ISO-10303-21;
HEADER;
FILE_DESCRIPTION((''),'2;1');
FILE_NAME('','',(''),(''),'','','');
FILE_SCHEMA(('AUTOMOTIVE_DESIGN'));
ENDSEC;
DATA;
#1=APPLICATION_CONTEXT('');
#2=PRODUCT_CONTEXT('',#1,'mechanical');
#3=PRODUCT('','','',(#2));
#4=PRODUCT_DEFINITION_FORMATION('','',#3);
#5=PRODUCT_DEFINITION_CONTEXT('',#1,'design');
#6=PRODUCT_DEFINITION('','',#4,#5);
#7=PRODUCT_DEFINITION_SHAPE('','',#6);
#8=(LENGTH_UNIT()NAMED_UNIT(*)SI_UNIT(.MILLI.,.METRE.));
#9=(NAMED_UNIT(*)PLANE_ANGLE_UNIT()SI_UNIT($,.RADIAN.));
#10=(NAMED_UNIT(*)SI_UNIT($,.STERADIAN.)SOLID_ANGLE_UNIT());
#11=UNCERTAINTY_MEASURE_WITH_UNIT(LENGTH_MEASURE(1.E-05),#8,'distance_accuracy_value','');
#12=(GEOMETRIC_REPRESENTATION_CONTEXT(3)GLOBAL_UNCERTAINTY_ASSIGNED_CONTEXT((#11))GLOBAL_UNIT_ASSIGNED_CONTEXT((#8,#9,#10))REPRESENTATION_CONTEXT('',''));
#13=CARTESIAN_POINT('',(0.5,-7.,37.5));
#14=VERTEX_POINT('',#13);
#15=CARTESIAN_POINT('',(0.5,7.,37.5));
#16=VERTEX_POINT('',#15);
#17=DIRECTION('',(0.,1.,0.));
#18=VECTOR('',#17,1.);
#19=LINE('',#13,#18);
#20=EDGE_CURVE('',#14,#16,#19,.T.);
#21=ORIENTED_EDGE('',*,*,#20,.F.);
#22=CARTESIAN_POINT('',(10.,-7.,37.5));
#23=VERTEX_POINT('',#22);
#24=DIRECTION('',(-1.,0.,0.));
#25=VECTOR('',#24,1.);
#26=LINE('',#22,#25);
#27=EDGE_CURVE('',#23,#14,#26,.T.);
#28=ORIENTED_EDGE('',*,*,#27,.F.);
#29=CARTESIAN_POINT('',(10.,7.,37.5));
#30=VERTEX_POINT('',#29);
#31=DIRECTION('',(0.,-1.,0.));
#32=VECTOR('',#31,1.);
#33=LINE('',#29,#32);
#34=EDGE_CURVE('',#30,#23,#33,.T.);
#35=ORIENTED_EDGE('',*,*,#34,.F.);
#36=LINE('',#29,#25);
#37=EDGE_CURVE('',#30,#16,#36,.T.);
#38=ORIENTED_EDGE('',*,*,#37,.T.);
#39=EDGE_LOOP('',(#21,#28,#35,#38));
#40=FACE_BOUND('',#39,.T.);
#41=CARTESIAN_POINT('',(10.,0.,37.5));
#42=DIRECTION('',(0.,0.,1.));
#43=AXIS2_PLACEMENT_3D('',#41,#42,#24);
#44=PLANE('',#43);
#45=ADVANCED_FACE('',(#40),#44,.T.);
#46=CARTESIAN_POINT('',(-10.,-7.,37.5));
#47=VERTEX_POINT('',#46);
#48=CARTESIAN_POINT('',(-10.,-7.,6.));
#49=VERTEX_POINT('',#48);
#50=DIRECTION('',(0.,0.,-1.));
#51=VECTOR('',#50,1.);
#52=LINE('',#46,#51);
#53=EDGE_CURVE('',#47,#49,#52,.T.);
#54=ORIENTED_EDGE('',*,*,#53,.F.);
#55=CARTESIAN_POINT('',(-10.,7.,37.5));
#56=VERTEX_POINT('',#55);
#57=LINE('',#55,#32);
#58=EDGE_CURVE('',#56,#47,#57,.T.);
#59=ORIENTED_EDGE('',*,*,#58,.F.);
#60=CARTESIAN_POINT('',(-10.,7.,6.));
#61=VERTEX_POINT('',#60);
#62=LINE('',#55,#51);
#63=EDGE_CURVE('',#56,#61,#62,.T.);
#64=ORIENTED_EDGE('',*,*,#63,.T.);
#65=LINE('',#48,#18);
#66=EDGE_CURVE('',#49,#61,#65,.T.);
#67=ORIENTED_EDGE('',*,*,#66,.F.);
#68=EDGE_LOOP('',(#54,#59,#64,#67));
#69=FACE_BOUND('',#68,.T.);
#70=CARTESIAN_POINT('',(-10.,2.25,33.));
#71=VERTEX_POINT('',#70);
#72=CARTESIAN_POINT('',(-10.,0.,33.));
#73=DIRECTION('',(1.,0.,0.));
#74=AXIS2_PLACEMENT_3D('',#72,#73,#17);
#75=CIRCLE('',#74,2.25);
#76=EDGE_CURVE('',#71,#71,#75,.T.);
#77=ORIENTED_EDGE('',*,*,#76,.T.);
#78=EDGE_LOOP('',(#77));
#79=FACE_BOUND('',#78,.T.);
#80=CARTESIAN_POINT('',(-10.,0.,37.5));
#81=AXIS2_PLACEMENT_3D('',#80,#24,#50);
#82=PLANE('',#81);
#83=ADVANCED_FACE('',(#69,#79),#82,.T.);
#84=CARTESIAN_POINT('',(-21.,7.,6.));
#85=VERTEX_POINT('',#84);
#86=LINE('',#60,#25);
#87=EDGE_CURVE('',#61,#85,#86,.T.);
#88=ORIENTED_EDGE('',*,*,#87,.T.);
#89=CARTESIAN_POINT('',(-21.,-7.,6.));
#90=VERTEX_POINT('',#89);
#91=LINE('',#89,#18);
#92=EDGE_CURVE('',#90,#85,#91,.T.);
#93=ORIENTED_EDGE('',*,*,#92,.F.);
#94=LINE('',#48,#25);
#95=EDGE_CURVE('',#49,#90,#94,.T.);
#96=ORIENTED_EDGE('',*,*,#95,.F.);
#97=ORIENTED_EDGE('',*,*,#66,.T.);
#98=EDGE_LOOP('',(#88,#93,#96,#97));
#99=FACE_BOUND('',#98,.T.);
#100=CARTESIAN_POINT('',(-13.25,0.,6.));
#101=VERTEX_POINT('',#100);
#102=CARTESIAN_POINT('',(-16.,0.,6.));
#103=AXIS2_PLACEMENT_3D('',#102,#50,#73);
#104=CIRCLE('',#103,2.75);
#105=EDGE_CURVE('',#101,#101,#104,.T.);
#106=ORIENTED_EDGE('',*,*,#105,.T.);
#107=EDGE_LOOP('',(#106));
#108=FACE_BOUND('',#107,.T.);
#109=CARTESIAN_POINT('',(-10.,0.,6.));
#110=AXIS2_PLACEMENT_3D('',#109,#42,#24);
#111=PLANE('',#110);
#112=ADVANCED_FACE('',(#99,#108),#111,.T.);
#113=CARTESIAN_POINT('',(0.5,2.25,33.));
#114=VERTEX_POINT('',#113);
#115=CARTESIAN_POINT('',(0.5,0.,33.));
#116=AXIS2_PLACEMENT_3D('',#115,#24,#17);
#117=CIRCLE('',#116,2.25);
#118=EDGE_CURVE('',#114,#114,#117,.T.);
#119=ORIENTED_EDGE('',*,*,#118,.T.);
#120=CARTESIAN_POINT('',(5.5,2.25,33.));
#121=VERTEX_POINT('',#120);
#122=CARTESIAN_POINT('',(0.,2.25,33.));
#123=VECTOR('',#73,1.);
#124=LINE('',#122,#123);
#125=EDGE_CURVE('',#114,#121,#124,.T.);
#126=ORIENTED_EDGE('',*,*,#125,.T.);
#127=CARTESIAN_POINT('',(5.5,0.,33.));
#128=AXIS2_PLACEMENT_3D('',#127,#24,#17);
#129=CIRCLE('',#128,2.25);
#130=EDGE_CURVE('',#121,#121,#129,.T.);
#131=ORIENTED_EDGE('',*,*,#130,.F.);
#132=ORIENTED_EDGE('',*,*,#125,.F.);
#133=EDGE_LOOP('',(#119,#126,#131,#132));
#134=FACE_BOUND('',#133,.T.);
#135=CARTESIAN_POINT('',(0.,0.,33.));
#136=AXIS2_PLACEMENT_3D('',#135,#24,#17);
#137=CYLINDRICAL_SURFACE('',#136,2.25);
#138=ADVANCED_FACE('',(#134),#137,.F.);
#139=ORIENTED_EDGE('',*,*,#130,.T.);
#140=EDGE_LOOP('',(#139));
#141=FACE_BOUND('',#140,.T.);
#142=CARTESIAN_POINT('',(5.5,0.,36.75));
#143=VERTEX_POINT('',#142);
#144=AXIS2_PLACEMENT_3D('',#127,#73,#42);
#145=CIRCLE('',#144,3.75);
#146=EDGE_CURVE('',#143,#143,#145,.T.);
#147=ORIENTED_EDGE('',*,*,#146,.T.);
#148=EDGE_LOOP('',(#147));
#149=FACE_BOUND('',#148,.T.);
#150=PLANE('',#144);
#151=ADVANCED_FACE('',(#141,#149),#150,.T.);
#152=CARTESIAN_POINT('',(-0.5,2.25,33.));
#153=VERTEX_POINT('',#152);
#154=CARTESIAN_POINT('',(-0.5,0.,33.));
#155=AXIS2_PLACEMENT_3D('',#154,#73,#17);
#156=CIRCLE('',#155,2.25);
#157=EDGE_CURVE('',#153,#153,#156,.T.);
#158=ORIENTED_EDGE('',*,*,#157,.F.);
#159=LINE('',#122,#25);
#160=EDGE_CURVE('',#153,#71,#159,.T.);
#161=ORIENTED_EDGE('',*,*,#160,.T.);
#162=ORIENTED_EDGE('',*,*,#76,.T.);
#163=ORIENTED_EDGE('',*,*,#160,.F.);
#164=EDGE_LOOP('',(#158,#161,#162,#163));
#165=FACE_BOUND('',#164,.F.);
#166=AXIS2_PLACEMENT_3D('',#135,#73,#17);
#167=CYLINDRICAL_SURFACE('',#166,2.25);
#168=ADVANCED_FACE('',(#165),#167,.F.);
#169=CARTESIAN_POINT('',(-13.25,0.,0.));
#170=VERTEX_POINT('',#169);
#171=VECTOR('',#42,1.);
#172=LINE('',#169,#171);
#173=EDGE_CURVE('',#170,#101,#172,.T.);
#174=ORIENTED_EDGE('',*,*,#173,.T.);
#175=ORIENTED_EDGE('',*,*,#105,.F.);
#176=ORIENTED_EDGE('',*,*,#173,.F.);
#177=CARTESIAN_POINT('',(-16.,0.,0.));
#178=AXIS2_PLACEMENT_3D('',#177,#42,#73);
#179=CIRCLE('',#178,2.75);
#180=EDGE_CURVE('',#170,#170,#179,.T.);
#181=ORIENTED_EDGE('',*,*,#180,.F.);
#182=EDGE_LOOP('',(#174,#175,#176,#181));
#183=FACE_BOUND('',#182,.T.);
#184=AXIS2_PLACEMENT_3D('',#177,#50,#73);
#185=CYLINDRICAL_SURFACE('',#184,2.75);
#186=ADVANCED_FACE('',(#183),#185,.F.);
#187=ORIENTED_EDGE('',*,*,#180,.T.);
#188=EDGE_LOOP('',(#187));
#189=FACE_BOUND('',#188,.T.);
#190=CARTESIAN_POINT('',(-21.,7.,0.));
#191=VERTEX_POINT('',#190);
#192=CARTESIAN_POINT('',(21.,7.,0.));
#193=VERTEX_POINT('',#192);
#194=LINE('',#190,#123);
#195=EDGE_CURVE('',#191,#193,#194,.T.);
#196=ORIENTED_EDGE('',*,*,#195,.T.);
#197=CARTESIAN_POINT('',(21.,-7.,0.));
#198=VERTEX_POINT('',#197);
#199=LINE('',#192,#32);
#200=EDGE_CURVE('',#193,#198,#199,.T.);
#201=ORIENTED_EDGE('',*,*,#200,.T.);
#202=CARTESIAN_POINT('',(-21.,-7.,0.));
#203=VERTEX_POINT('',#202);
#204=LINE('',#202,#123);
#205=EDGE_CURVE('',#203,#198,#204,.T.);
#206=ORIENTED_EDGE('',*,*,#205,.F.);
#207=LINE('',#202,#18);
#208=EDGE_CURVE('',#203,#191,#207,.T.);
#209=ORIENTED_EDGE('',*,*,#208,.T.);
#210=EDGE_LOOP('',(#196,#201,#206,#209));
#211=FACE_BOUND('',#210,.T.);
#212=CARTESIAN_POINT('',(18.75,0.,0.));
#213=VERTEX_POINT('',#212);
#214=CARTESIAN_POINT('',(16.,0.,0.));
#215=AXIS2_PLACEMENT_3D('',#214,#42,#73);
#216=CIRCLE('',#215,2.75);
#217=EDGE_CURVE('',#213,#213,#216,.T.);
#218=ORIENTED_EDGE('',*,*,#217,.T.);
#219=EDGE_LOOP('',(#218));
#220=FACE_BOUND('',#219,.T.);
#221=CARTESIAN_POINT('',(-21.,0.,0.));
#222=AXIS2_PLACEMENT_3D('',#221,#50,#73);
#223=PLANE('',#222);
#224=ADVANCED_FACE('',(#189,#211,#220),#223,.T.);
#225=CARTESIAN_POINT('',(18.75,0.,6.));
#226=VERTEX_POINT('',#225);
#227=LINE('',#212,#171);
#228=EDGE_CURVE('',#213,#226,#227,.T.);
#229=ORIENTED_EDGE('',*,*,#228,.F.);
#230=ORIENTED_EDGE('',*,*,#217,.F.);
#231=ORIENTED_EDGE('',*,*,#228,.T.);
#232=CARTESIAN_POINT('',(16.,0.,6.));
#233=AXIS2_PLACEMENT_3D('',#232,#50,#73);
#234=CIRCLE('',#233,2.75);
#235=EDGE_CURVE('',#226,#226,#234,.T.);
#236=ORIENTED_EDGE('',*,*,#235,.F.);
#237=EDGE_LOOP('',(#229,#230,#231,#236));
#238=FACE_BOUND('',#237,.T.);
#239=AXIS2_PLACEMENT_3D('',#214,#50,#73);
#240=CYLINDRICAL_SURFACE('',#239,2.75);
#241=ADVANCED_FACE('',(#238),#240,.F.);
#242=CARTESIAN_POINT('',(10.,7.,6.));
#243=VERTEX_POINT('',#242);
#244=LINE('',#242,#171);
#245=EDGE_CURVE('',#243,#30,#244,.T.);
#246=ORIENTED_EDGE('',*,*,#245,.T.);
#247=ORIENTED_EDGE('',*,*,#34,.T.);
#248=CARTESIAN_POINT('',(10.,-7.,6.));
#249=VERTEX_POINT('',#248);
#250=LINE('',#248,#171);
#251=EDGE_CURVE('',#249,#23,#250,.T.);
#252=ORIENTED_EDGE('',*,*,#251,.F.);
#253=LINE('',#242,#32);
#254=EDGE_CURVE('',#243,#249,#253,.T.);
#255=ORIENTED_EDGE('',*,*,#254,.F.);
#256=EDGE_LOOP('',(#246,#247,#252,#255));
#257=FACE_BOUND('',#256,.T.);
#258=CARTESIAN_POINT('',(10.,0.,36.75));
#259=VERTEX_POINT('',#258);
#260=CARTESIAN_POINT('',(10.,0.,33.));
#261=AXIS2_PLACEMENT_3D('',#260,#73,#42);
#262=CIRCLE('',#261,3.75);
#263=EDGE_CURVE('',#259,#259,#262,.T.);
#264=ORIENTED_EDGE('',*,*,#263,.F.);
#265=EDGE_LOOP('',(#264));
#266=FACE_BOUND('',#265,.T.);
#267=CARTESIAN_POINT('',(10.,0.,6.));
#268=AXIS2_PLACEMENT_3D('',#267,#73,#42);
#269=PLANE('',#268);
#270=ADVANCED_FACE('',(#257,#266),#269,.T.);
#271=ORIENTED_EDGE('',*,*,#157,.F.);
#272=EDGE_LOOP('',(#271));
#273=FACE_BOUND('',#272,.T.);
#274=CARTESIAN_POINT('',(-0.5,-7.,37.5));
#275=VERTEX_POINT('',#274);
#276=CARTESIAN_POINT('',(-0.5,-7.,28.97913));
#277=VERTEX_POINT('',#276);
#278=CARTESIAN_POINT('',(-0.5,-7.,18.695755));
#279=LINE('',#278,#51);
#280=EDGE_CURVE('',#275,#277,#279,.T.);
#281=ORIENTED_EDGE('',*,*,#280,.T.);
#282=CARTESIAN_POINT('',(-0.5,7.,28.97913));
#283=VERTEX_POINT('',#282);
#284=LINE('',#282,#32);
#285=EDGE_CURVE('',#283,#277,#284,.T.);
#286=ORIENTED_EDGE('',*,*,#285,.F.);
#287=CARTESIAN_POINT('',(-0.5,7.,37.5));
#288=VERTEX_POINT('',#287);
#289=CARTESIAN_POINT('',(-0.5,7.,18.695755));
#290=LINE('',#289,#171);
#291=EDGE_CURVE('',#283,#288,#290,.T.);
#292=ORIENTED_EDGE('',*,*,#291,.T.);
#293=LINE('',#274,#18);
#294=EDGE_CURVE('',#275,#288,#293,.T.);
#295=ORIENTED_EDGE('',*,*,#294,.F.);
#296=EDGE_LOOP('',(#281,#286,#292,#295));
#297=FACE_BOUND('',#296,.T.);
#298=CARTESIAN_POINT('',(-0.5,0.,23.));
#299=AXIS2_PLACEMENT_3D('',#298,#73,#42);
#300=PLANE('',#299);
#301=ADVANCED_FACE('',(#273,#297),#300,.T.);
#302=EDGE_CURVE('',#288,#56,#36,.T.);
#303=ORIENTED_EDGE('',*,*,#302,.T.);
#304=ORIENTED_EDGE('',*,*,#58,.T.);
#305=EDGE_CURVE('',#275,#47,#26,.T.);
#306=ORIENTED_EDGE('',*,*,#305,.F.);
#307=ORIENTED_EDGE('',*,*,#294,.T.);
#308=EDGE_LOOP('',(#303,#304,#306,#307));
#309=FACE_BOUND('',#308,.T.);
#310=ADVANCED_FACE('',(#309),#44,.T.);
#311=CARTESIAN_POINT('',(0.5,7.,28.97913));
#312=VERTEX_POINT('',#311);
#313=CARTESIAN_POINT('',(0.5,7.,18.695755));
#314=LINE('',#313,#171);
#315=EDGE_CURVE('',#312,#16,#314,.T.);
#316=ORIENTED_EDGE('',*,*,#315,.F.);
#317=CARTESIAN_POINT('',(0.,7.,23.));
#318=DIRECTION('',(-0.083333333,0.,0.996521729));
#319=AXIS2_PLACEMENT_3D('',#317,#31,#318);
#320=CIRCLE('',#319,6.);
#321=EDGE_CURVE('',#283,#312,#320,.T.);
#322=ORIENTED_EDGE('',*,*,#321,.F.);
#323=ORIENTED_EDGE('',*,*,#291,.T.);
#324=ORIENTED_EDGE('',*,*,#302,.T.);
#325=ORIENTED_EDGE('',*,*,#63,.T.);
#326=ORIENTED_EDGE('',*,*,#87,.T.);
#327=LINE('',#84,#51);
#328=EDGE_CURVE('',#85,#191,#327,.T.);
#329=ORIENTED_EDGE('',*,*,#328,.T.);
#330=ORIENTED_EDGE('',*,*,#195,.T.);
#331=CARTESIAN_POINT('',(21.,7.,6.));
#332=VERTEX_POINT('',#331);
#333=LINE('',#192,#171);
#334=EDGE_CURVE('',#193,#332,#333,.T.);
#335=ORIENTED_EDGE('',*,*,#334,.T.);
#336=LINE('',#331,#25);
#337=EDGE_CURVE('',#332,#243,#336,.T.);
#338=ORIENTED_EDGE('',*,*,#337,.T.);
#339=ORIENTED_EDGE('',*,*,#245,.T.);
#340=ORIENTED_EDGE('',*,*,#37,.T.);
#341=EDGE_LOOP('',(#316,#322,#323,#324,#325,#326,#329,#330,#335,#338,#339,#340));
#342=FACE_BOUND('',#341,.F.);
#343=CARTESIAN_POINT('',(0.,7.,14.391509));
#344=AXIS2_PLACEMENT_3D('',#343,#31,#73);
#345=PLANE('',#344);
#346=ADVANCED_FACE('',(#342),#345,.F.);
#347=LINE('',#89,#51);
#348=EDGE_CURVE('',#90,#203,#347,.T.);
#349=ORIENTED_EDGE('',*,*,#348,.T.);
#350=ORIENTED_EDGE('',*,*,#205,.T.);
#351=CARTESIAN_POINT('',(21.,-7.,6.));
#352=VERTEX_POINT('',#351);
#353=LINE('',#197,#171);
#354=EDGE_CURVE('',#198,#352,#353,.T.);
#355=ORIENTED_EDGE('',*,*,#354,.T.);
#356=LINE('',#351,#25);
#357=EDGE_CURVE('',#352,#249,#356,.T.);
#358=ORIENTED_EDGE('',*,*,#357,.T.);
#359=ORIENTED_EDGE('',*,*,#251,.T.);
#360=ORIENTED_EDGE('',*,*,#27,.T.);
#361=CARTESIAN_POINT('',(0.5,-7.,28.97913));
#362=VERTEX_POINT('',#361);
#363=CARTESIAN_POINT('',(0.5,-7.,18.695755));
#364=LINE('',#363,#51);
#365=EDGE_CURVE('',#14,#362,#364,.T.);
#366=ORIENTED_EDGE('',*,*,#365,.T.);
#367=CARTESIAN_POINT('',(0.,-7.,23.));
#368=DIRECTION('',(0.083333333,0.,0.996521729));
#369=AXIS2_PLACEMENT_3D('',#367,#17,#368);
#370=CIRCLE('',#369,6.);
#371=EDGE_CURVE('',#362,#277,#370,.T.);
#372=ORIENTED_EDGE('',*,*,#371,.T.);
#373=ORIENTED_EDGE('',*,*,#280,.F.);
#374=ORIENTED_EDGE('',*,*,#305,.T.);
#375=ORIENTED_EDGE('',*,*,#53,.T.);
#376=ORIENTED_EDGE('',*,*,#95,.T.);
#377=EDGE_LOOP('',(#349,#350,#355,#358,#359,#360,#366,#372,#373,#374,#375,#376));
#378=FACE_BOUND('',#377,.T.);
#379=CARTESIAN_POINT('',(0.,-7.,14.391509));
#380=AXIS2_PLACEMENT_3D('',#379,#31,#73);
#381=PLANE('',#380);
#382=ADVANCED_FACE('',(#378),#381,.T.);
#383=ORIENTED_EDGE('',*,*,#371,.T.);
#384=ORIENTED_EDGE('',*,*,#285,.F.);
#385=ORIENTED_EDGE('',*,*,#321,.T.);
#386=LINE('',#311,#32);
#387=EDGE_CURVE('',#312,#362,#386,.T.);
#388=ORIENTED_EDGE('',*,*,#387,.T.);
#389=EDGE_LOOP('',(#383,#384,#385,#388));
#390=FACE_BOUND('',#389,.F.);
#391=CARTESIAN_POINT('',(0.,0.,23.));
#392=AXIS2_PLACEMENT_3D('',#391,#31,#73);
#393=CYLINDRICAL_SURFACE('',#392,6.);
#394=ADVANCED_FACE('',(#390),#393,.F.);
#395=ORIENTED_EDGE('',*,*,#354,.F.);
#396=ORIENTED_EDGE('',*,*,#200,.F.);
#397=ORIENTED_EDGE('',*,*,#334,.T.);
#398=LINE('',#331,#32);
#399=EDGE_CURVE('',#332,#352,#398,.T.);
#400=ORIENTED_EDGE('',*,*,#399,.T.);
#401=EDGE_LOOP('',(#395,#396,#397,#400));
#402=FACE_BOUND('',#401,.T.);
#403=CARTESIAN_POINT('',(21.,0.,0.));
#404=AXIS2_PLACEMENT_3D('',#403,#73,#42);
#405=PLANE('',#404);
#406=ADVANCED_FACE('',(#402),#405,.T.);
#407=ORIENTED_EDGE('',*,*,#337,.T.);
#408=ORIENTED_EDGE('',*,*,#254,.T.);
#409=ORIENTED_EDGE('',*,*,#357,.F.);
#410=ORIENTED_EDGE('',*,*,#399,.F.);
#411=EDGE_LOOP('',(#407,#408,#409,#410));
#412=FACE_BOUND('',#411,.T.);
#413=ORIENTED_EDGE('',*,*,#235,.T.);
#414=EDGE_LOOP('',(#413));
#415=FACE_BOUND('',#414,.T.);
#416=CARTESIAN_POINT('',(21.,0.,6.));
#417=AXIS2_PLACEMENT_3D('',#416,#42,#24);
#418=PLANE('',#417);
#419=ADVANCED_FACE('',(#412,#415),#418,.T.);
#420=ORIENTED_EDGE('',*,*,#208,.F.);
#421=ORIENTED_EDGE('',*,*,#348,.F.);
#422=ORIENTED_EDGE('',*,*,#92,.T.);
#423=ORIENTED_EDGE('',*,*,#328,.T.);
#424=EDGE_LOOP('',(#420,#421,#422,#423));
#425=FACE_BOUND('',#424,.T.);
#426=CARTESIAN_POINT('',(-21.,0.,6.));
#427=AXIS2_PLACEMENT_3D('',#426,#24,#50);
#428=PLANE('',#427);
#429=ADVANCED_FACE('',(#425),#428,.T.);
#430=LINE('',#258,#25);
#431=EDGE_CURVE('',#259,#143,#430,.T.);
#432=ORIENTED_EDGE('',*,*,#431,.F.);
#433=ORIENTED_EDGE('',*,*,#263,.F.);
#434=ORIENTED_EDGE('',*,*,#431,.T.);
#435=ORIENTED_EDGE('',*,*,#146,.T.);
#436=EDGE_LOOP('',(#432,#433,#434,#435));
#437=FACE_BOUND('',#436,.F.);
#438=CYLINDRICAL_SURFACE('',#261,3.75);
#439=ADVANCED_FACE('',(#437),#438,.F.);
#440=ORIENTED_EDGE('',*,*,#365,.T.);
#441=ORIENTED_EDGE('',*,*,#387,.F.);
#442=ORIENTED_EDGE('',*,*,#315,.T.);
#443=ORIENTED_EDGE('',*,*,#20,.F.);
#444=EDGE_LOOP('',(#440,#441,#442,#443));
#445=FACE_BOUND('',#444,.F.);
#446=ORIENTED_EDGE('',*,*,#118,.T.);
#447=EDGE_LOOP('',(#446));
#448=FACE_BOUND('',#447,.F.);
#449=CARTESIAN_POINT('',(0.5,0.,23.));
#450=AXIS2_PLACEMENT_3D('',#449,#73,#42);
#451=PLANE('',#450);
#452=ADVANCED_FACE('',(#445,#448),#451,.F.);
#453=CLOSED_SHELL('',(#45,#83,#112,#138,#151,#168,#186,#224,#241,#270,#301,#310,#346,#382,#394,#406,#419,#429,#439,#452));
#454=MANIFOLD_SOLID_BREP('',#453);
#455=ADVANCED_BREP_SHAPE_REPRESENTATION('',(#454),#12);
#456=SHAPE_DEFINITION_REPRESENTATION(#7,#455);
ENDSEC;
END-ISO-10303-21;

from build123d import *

# Parameters (mm, degrees)
PAD_DEPTH            = 7
SKETCH001_W          = 1
SKETCH001_H          = 24.5
POCKET_DEPTH         = 7.001
POCKET_DEPTH_BACK    = -7.001
SKETCH002_R          = 6
POCKET001_DEPTH      = 7.001
POCKET001_DEPTH_BACK = -7.001
SKETCH003_R          = 2.75
POCKET002_DEPTH      = 0.001
POCKET002_DEPTH_BACK = -37.501
SKETCH004_R          = 2.25
POCKET003_DEPTH      = 21.001
POCKET003_DEPTH_BACK = -21.001
SKETCH005_R          = 3.75
POCKET004_DEPTH      = 4.5


with BuildPart() as part:
    # Sketch → Pad (new body, symmetric)
    with BuildSketch(Plane.XZ):
        Polygon((-21, 0), (21, 0), (21, 6), (10, 6), (10, 37.5), (-10, 37.5), (-10, 6), (-21, 6), align=None)
    extrude(amount=PAD_DEPTH, both=True)

    # Sketch001 → Pocket (cut, two sides)
    with BuildSketch(Plane.XZ) as pocket_sk:
        with Locations((0, 35.25)):
            Rectangle(SKETCH001_W, SKETCH001_H)
    extrude(amount=-POCKET_DEPTH, mode=Mode.SUBTRACT)
    extrude(pocket_sk.sketch, amount=-POCKET_DEPTH_BACK, mode=Mode.SUBTRACT)

    # Sketch002 → Pocket001 (cut, two sides)
    with BuildSketch(Plane.XZ) as pocket001_sk:
        with Locations((0, 23)):
            Circle(SKETCH002_R)
    extrude(amount=-POCKET001_DEPTH, mode=Mode.SUBTRACT)
    extrude(pocket001_sk.sketch, amount=-POCKET001_DEPTH_BACK, mode=Mode.SUBTRACT)

    # Sketch003 → Pocket002 (cut, two sides)
    with BuildSketch(Plane.XY) as pocket002_sk:
        with Locations((-16, 0)):
            Circle(SKETCH003_R)
        with Locations((16, 0)):
            Circle(SKETCH003_R)
    extrude(amount=-POCKET002_DEPTH, mode=Mode.SUBTRACT)
    extrude(pocket002_sk.sketch, amount=-POCKET002_DEPTH_BACK, mode=Mode.SUBTRACT)

    # Sketch004 → Pocket003 (cut, two sides)
    with BuildSketch(Plane.YZ) as pocket003_sk:
        with Locations((0, 33)):
            Circle(SKETCH004_R)
    extrude(amount=-POCKET003_DEPTH, mode=Mode.SUBTRACT)
    extrude(pocket003_sk.sketch, amount=-POCKET003_DEPTH_BACK, mode=Mode.SUBTRACT)

    # Sketch005 (on Face16 of Pocket003) → Pocket004 (cut)
    with BuildSketch(Plane(origin=(10, 0, 0), x_dir=(0, 0, 1), z_dir=(1, 0, 0))):
        with Locations((33, 0)):
            Circle(SKETCH005_R)
    extrude(amount=-POCKET004_DEPTH, mode=Mode.SUBTRACT)


solid = part.part
